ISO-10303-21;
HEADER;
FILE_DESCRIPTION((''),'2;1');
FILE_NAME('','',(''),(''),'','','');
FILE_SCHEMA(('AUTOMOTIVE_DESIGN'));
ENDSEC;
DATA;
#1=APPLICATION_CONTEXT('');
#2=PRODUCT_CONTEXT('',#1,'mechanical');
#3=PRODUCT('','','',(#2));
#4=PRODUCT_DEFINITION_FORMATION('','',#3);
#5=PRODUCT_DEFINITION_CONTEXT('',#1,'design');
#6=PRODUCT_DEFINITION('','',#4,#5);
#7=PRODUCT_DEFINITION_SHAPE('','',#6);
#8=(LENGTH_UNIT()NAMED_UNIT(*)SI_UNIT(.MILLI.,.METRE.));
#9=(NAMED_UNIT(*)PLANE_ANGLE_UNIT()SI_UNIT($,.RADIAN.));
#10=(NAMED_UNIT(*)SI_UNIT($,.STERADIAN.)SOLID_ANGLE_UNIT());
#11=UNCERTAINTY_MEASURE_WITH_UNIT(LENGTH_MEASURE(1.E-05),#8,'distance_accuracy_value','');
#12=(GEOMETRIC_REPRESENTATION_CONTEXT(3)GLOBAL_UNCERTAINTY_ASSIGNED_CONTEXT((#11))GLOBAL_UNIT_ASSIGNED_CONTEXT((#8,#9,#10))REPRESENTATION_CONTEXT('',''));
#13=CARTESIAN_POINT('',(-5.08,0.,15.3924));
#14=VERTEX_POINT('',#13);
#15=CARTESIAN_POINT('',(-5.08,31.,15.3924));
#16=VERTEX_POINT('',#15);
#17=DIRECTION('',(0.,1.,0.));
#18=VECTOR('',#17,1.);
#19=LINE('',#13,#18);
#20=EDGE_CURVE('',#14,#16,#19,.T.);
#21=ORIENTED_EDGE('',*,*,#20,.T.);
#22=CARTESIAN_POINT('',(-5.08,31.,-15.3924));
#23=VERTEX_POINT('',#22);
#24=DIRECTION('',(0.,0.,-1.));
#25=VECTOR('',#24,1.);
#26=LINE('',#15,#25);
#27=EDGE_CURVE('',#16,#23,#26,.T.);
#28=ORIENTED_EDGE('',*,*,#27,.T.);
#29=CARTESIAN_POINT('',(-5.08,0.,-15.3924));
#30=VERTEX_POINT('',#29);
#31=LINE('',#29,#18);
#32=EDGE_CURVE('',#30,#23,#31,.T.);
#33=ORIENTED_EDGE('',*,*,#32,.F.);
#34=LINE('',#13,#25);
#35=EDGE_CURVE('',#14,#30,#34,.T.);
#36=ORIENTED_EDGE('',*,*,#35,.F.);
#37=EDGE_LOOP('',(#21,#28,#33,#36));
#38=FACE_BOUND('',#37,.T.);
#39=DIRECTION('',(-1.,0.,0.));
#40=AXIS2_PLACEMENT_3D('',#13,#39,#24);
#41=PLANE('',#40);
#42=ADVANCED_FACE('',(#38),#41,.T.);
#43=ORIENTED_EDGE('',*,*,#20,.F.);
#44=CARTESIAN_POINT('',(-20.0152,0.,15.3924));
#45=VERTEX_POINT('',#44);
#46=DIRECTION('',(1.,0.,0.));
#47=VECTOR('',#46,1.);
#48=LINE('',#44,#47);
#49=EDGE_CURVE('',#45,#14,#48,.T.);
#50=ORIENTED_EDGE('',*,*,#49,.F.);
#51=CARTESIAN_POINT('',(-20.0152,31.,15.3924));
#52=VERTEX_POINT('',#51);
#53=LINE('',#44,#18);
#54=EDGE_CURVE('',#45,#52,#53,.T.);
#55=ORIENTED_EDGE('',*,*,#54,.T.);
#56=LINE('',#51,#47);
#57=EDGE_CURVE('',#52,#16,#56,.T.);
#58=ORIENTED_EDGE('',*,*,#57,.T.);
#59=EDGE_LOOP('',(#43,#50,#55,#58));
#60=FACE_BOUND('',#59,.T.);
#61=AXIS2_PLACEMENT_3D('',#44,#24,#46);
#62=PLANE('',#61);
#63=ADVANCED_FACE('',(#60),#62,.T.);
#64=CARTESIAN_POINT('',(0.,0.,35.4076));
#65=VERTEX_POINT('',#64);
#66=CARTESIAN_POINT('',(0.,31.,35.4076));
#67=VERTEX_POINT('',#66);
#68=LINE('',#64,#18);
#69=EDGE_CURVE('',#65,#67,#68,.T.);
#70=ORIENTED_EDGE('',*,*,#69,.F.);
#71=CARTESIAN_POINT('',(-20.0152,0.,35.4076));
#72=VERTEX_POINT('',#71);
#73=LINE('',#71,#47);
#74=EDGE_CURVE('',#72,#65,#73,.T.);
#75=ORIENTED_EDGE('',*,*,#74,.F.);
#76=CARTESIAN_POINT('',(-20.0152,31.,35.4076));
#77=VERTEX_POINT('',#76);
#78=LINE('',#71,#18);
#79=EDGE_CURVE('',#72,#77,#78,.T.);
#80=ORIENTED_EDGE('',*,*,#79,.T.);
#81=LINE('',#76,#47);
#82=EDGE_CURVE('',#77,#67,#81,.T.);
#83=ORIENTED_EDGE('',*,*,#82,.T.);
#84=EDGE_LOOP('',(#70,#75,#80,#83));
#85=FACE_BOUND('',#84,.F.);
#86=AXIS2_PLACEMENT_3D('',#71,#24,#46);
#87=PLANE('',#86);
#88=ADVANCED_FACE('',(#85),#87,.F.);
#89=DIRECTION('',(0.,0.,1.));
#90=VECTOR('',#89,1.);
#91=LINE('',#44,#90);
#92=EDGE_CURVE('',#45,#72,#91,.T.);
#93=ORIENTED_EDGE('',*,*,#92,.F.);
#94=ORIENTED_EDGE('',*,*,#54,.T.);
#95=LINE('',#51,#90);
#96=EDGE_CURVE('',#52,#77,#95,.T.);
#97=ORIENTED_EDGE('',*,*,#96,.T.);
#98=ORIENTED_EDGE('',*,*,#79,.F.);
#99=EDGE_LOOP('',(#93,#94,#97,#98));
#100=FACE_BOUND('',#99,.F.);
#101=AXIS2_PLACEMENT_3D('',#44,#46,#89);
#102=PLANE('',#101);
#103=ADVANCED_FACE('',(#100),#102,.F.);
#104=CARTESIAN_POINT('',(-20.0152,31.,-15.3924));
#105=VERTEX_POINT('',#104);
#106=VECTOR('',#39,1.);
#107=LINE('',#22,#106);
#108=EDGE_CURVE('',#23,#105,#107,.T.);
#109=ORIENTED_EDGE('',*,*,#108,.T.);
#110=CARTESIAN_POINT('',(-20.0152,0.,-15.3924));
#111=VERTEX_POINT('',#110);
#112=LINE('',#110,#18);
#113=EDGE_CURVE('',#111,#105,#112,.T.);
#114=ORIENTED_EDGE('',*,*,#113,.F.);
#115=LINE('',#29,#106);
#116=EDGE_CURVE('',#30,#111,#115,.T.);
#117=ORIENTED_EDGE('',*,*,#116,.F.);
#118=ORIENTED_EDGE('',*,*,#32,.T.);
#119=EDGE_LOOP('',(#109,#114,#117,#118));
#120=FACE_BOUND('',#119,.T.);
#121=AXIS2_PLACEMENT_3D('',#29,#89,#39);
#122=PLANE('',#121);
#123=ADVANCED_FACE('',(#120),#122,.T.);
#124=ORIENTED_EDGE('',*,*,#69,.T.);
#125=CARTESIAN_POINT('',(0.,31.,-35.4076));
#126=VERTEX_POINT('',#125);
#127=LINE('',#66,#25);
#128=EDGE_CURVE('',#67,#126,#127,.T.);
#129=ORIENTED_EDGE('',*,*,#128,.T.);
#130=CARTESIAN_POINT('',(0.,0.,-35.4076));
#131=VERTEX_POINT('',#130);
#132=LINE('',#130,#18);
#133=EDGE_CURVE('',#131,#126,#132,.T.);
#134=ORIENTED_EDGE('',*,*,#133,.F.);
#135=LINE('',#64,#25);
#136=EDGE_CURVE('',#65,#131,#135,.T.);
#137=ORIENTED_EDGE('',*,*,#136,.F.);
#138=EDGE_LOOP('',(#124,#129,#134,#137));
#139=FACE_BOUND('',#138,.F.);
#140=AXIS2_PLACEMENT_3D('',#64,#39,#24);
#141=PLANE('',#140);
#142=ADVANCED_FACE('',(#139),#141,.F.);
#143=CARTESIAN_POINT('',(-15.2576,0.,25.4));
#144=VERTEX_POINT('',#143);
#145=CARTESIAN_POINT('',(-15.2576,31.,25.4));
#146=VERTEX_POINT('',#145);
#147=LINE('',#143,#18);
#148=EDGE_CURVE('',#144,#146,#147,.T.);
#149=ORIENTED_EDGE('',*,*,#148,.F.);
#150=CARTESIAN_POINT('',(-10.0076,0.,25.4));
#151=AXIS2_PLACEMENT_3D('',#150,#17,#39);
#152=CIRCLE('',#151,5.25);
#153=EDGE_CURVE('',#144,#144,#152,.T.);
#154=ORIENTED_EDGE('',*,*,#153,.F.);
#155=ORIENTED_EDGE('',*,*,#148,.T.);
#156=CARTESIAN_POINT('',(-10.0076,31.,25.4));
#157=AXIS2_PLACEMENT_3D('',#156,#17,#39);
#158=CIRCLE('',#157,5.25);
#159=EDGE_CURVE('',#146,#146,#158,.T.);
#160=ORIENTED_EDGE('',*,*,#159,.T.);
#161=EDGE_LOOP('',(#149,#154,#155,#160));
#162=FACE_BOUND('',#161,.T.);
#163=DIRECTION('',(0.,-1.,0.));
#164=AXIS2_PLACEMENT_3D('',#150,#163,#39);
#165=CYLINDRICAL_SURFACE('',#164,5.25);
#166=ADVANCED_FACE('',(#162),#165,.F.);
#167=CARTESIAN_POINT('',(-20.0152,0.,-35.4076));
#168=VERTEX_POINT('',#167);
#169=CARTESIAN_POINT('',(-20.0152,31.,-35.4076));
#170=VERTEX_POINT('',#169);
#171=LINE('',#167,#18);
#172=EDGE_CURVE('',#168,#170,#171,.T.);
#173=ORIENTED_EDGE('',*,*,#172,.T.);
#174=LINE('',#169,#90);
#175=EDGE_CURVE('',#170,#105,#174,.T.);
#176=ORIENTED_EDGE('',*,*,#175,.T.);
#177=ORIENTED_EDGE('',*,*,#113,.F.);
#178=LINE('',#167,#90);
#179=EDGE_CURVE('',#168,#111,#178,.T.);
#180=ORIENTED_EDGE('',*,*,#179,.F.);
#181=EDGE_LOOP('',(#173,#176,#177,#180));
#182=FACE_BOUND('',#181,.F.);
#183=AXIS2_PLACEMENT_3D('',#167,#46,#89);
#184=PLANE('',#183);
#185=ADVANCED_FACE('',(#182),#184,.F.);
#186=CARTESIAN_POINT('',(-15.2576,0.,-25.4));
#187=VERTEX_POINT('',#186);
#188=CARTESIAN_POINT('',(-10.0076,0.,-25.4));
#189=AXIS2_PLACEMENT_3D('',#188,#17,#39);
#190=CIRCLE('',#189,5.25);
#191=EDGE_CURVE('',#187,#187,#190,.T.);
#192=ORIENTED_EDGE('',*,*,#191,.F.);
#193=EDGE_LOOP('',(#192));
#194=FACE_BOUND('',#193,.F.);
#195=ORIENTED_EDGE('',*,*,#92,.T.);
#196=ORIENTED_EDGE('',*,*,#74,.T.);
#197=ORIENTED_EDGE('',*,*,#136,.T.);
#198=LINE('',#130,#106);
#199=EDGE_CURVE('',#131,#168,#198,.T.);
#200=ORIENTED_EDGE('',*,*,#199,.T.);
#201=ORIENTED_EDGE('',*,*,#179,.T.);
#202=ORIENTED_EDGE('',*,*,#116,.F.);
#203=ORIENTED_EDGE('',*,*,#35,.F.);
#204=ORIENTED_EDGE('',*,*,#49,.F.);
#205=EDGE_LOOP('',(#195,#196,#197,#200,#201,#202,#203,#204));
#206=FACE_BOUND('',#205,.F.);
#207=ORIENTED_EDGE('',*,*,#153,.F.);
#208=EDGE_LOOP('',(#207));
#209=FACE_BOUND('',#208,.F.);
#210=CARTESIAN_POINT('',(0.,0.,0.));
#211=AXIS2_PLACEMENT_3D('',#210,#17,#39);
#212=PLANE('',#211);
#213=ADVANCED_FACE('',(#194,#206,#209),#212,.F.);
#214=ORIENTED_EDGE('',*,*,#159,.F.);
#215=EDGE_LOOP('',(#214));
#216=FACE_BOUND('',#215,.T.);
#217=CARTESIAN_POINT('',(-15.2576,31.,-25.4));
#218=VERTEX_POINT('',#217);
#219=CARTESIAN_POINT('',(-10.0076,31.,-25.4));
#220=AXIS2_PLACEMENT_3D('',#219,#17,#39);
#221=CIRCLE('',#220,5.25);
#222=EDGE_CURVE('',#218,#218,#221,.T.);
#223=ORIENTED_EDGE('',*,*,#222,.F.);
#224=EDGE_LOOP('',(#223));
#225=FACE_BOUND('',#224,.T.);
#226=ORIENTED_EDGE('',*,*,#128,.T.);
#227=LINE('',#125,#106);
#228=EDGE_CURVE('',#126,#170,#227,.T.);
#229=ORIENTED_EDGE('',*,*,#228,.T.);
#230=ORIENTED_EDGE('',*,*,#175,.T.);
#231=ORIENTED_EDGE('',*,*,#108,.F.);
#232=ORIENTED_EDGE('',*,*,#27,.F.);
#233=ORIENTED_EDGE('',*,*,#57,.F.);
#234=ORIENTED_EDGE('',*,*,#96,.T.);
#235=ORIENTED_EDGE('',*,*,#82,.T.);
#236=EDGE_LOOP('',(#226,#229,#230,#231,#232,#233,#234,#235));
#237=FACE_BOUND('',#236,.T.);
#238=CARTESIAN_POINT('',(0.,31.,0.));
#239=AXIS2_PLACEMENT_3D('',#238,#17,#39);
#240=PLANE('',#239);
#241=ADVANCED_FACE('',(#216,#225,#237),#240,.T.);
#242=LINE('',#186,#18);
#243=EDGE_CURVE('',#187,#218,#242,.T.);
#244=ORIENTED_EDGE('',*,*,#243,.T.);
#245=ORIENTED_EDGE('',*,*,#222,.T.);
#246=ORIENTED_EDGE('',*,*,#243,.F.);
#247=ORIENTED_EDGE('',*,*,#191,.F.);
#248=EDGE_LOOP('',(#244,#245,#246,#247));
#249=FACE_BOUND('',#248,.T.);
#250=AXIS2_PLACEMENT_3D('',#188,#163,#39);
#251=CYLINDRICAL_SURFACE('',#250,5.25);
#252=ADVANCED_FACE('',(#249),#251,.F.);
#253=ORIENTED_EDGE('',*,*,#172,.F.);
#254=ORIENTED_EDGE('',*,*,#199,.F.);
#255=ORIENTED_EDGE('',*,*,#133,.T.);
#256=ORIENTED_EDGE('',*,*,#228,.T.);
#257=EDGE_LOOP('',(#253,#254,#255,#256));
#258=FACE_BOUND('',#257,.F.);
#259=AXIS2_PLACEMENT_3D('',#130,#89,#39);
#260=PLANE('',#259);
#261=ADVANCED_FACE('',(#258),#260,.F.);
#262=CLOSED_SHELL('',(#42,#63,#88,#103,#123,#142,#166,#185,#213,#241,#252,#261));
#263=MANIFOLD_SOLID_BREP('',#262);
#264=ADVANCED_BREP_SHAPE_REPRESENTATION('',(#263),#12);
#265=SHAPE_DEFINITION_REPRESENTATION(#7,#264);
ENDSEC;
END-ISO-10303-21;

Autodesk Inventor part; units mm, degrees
ref_plane "YZ Plane" through (0, 0, 0) normal (1, 0, 0) x (0, 1, 0)
ref_plane "XZ Plane" through (0, 0, 0) normal (0, 1, 0) x (-1, 0, 0)
ref_plane "XY Plane" through (0, 0, 0) normal (0, 0, 1) x (1, 0, 0)
sketch "Sketch1" plane through (0, 0, 0) normal (0, 1, 0) x (-1, 0, 0)
  line L0 (20.0152, 35.4076) -> (0, 35.4076)
  line L1 (0, 35.4076) -> (0, -35.4076)
  line L2 (0, -35.4076) -> (20.0152, -35.4076)
  circle A0 centre (10.0076, 25.4) radius 5.25
  circle A1 centre (10.0076, -25.4) radius 5.25
  line L3 (20.0152, 15.3924) -> (5.08, 15.3924)
  line L4 (5.08, 15.3924) -> (5.08, -15.3924)
  line L5 (5.08, -15.3924) -> (20.0152, -15.3924)
  line L6 (20.0152, -35.4076) -> (20.0152, -15.3924)
  line L7 (20.0152, 15.3924) -> (20.0152, 35.4076)
  point P0 (0, 0)
  point P1 (0, 0)
  dimension "d1" = 10.5
  dimension "d2" = 10.5
  dimension "d3" = 50.8
  dimension "d4" = 10.0076
  dimension "d5" = 10.0076
  dimension "d6" = 10.0076
  dimension "d7" = 5.08
  dimension "d9" = 10.0076
  dimension "d10" = 10.0076
  dimension "d11" = 10.0076
extrude "Extrusion1" add sketch "Sketch1" along normal blind 31
properties part number "3710-lasers"
